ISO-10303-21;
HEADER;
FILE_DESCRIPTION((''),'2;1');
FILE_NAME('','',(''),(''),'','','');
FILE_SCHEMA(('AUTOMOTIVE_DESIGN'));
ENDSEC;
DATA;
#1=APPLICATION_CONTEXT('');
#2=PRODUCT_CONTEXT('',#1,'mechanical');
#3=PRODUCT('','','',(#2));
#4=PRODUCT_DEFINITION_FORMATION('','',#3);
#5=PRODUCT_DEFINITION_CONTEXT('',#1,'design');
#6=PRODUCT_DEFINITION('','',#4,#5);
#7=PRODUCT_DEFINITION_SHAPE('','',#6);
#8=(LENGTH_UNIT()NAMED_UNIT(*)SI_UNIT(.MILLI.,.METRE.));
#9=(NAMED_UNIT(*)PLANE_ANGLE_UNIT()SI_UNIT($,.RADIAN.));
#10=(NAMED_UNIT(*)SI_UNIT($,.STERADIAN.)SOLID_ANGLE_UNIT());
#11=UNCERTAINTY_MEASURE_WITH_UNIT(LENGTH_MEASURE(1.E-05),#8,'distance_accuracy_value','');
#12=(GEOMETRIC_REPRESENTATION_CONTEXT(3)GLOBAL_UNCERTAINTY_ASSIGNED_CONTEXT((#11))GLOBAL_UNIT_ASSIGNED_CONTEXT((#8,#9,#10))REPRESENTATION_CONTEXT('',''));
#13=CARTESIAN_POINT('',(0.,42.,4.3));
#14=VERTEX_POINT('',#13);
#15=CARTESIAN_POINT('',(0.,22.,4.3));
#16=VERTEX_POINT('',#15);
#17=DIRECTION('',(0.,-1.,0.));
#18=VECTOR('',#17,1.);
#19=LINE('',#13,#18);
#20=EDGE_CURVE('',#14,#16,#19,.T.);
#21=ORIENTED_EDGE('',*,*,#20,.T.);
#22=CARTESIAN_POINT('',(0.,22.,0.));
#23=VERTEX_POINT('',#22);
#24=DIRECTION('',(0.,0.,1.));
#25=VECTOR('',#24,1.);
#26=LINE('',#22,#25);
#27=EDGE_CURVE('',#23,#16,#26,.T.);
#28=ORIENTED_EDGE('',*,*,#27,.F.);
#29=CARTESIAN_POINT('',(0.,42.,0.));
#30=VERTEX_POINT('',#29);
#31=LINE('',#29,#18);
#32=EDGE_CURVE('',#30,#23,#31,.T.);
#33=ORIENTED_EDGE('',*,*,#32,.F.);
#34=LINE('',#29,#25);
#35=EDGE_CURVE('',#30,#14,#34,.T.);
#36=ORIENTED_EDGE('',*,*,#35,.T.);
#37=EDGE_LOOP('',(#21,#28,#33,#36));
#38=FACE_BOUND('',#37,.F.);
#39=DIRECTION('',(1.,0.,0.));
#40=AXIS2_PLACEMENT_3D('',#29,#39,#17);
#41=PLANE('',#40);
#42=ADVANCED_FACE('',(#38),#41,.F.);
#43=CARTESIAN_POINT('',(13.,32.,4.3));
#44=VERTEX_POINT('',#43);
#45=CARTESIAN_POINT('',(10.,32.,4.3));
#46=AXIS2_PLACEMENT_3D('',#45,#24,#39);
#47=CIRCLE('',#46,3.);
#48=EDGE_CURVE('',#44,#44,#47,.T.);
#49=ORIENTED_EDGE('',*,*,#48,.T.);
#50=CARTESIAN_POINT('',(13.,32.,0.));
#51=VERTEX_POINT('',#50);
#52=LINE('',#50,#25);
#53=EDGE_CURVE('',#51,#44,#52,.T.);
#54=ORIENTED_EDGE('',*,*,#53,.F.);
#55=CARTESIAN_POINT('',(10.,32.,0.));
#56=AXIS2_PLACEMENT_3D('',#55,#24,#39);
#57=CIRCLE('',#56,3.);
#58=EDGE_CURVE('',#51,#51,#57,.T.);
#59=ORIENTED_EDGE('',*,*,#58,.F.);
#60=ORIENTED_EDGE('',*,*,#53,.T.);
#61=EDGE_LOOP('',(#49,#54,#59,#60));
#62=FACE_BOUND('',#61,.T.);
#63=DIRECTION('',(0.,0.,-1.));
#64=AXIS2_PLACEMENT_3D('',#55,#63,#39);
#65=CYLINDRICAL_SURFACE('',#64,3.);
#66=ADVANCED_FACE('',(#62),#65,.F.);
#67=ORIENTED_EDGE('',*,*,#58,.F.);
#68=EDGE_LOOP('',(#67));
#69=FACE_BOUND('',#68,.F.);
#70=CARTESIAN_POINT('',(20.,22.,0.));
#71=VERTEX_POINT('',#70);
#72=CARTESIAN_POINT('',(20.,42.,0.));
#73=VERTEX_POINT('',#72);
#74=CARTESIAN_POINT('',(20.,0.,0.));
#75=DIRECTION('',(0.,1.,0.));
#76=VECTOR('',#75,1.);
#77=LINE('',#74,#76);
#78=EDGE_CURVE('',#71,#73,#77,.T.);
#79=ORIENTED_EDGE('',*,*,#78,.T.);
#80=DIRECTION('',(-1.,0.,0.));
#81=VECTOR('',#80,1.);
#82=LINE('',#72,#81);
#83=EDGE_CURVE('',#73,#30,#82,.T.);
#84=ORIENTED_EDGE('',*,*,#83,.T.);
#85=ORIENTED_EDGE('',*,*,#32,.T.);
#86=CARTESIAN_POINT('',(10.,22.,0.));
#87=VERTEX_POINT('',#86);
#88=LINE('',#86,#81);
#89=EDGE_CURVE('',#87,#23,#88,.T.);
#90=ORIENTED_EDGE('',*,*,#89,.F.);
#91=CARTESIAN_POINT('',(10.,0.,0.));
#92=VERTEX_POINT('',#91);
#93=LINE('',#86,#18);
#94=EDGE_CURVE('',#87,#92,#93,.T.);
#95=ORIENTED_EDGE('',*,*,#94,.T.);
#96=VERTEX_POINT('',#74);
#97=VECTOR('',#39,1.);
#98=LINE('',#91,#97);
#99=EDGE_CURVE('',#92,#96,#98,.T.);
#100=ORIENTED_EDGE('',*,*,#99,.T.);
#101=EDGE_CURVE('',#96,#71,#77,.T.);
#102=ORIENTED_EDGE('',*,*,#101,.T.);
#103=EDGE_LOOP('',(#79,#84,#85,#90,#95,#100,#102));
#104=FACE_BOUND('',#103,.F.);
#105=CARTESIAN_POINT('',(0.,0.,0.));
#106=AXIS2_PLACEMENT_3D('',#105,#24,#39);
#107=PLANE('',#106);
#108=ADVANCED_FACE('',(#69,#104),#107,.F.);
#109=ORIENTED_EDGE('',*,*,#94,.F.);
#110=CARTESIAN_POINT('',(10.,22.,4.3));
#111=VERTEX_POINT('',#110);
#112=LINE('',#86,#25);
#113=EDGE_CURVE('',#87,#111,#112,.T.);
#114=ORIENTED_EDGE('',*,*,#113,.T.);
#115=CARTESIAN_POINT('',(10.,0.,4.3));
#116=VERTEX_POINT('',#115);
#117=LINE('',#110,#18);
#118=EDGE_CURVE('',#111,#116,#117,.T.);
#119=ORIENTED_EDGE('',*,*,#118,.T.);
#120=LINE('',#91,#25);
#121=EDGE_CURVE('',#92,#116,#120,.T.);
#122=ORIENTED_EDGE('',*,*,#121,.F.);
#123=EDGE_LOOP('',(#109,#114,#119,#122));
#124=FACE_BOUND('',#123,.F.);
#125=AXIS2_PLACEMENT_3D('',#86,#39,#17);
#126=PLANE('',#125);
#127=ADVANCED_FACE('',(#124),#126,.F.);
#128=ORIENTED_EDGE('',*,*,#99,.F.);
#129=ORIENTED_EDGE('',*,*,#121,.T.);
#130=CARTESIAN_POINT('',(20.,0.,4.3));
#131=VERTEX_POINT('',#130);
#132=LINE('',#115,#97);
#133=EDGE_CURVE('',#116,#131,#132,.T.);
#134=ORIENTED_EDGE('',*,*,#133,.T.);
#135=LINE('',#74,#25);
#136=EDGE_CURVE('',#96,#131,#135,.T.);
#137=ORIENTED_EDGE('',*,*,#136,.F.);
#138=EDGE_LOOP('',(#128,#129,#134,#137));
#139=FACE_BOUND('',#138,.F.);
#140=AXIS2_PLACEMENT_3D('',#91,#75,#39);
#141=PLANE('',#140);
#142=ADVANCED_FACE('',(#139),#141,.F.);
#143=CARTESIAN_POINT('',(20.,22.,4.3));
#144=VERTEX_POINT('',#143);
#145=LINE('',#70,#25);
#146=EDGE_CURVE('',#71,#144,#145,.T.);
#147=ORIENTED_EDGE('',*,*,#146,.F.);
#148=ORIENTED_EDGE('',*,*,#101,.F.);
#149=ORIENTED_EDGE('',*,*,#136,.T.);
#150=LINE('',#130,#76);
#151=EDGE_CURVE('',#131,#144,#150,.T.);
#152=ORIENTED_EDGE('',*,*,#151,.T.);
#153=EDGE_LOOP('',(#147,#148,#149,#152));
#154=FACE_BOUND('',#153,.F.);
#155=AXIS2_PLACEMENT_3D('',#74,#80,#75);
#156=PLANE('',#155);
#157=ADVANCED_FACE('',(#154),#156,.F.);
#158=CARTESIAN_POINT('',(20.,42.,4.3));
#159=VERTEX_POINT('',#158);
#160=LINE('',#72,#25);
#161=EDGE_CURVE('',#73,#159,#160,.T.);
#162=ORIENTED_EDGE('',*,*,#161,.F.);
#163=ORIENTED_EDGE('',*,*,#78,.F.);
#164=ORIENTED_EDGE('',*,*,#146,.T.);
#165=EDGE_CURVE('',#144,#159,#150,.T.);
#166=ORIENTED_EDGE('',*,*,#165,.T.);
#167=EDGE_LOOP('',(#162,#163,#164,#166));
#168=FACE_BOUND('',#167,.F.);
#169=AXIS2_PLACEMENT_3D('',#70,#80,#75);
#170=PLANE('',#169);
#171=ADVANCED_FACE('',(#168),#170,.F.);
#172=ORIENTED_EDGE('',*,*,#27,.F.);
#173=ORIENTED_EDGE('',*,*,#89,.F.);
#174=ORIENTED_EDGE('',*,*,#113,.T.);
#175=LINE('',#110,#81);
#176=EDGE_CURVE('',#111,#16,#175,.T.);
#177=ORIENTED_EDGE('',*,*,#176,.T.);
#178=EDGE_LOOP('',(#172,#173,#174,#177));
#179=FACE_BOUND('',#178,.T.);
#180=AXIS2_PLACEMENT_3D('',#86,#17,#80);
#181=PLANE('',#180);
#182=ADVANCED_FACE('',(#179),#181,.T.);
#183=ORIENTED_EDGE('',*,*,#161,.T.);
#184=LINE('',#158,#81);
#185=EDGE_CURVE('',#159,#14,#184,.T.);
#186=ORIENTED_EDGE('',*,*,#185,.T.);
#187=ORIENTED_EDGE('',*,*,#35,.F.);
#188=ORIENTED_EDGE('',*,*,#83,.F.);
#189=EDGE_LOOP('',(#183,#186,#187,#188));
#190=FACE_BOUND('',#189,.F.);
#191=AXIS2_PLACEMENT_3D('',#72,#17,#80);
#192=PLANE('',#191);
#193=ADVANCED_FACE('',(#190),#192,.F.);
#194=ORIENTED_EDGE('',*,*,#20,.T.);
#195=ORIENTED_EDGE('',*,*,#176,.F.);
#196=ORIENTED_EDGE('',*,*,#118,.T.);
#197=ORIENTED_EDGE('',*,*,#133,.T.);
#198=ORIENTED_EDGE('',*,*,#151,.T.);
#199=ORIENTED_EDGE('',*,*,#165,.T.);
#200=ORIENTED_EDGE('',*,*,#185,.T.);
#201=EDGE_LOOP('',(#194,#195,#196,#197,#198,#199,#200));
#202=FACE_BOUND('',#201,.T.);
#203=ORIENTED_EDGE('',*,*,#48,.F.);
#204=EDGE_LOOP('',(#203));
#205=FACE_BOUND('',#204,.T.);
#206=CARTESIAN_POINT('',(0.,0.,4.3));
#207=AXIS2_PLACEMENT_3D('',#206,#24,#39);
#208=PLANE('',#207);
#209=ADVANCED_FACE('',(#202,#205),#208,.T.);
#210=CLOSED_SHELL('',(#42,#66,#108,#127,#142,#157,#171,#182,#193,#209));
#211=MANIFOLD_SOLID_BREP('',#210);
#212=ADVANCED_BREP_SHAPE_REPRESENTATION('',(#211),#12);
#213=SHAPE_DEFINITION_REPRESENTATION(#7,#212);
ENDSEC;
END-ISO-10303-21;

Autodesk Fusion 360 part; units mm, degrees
sketch "Sketch1" plane through (0, 0, 0) normal (0, 0, 1) x (1, 0, 0) in component "pretensioner"
  line L0 (10, 0) -> (20, 0)
  line L1 (20, 0) -> (20, 42)
  line L2 (20, 42) -> (0, 42)
  line L3 (0, 42) -> (0, 22)
  line L4 (0, 42) -> (20, 42) construction
  line L5 (20, 42) -> (20, 22) construction
  line L6 (20, 22) -> (0, 22) construction
  line L7 (0, 22) -> (0, 42) construction
  circle A0 centre (10, 32) radius 3
  line L8 (10, 22) -> (10, 0)
  line L9 (10, 0) -> (20, 0)
  line L10 (20, 0) -> (20, 22)
  line L11 (10, 22) -> (0, 22)
  dimension "d1" = 20
  dimension "d2" = 42
  dimension "d3" = 20
  dimension "d4" = 6
  dimension "d5" = 10
extrude "Extrude1" add sketch "Sketch1" along normal blind 4.3 in component "pretensioner"
component "pretensioner" placed x (1, 0, 0) y (0, 1, 0) z (0, 0, 1) at (0, 0, 0)
